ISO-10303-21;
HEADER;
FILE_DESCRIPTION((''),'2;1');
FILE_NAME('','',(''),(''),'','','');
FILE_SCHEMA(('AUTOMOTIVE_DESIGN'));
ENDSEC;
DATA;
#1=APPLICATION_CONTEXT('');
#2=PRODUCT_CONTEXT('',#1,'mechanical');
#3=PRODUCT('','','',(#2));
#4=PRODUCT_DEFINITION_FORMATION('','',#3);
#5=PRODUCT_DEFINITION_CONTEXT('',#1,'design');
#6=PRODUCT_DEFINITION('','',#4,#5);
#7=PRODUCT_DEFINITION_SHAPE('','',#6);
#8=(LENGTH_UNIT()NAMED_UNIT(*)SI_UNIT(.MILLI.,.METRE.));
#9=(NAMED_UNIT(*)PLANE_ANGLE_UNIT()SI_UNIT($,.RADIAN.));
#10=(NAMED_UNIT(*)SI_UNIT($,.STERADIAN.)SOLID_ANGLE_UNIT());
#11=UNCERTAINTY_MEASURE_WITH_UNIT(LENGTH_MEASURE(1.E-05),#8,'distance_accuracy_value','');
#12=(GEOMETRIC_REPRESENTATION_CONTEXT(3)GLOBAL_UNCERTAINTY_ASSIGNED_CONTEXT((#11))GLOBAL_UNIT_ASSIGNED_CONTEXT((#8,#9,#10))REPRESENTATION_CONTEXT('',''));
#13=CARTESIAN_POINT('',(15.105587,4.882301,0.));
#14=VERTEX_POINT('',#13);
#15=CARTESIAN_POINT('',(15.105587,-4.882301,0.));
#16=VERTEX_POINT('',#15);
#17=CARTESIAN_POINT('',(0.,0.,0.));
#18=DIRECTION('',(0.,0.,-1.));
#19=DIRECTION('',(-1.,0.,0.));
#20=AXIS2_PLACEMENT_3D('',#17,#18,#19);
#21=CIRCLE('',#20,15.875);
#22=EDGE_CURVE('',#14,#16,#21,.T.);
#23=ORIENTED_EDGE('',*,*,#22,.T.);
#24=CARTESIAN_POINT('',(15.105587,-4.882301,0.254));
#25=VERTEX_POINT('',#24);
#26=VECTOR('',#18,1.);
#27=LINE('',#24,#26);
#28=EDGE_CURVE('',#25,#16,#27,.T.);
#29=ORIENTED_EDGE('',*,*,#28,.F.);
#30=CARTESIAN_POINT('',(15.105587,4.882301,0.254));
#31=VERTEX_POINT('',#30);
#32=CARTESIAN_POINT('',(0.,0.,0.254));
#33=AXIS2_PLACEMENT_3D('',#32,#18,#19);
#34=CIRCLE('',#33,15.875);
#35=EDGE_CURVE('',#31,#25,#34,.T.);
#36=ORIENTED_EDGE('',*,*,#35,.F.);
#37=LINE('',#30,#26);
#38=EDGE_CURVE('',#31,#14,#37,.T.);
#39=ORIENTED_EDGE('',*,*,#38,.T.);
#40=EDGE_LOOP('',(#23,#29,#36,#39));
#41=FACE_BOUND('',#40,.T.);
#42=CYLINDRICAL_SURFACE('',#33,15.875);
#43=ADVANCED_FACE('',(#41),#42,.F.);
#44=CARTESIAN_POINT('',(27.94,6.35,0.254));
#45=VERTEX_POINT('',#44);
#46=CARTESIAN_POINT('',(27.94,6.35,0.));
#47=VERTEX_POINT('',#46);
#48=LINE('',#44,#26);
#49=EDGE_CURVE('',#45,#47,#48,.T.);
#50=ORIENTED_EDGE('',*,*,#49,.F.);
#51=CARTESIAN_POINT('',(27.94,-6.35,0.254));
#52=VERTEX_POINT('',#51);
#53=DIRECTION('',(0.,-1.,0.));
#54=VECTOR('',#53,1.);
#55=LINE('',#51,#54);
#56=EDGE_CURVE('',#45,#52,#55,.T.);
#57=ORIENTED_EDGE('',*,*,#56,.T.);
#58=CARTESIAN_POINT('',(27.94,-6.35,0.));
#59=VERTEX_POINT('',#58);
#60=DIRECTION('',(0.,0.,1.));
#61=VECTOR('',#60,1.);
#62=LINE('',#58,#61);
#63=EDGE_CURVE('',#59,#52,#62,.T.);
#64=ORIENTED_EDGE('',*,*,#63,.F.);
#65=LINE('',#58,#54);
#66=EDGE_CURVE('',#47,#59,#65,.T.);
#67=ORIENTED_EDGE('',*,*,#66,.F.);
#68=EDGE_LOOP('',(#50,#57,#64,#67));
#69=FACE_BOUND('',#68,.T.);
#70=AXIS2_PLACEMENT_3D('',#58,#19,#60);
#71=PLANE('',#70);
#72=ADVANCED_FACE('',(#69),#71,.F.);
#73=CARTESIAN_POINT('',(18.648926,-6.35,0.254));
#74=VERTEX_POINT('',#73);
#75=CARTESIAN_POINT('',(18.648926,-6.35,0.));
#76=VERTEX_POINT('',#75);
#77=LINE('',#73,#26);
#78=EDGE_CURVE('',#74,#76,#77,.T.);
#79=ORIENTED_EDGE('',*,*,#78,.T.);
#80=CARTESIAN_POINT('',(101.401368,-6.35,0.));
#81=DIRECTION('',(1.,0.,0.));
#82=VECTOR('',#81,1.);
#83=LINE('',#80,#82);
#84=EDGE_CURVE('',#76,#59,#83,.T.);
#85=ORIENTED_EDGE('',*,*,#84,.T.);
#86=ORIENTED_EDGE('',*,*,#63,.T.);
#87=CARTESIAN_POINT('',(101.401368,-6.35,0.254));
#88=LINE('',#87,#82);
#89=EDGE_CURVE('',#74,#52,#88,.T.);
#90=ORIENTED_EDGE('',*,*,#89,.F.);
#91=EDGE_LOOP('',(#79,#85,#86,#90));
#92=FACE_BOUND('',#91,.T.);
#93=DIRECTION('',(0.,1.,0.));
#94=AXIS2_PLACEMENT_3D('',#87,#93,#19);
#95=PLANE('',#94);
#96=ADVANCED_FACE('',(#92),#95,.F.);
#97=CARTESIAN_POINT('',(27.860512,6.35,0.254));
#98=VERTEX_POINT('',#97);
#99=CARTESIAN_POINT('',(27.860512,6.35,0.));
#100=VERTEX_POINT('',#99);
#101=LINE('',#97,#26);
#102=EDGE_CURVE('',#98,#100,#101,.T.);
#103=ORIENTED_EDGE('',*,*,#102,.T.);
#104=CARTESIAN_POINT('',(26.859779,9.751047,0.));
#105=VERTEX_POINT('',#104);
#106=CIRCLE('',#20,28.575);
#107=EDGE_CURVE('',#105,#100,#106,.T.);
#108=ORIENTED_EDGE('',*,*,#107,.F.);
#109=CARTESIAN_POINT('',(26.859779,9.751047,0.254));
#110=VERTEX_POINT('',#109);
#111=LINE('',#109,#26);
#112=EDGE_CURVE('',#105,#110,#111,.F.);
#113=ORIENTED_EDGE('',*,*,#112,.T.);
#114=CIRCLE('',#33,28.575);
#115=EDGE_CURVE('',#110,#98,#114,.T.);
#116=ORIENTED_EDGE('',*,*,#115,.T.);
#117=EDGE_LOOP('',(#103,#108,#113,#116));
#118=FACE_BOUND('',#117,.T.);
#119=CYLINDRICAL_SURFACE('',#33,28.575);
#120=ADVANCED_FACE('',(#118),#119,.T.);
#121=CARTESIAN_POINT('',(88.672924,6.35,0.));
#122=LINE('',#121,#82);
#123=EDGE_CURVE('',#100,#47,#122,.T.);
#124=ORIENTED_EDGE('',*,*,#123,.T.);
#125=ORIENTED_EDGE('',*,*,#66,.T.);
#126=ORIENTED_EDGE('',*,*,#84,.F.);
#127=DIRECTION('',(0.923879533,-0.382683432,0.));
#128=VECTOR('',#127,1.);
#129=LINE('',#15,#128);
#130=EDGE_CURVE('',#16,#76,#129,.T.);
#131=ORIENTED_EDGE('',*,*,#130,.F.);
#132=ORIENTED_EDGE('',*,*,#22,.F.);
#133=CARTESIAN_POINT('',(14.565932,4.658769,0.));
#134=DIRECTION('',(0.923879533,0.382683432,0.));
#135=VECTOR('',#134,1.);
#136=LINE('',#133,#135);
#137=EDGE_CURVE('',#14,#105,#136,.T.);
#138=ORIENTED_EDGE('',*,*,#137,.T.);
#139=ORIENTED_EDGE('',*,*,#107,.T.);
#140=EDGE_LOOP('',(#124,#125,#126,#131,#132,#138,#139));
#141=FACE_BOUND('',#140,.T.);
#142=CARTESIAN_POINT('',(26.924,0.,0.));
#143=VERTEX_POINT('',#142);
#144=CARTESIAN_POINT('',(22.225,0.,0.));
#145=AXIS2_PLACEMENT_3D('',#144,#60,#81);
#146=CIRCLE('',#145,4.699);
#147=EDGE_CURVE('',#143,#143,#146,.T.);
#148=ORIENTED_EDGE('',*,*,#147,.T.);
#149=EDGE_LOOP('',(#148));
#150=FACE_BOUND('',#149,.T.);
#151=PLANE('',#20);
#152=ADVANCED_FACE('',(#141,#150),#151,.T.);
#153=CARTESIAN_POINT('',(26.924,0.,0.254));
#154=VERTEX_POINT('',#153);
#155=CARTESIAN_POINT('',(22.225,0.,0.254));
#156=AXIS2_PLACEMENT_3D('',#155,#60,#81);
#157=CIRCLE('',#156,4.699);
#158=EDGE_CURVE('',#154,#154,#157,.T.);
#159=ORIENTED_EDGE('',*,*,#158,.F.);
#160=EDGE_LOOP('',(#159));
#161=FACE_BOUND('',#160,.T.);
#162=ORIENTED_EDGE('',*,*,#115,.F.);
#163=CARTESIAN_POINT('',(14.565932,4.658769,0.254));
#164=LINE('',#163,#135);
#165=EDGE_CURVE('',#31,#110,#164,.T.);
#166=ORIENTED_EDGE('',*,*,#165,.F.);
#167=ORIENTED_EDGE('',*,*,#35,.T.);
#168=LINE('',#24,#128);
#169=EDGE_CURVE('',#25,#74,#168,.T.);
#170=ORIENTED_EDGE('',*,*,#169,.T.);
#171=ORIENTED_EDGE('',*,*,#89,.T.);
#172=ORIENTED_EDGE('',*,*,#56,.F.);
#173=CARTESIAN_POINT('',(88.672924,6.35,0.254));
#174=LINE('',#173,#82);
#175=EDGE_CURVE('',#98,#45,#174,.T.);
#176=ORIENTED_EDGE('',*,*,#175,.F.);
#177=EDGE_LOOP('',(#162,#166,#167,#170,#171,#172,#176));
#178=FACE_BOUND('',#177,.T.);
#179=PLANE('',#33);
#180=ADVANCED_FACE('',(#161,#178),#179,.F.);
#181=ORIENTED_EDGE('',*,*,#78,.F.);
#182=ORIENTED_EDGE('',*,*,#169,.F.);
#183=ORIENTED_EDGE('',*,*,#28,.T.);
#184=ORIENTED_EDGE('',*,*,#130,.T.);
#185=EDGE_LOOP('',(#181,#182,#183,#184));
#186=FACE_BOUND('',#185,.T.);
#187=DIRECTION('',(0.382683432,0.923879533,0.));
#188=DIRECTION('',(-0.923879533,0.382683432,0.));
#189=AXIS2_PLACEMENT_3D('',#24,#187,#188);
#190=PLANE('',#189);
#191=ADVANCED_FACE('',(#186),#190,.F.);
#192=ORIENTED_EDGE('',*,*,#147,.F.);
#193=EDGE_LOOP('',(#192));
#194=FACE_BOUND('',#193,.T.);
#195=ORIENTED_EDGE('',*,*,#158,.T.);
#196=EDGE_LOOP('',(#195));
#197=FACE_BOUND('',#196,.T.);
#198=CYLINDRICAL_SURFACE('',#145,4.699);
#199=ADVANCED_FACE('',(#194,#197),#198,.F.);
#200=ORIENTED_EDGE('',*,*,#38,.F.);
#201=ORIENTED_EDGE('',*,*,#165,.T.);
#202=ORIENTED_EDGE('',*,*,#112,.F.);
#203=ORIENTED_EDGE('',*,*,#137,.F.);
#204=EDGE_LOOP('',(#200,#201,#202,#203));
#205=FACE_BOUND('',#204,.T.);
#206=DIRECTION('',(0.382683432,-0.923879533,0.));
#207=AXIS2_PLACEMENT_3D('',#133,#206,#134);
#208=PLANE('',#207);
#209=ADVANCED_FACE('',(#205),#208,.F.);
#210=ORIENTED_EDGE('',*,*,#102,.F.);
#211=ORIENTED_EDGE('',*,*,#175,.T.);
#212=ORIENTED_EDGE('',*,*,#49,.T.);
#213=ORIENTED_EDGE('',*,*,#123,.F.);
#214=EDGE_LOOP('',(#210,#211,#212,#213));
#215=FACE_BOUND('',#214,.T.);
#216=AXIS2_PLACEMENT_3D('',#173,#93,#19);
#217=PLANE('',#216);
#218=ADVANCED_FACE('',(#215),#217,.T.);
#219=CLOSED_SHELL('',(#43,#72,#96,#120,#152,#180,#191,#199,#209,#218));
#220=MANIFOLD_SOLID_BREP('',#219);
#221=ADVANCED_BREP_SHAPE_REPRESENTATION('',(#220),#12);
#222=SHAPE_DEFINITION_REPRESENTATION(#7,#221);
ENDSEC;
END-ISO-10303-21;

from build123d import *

# Parameters (mm, degrees)
BOSS_EXTRUDE1_DEPTH = 0.254
SKETCH2_R           = 4.699
CUT_EXTRUDE1_DEPTH  = 1.254
SKETCH3_W           = 2.54
SKETCH3_H           = 0.635
CUT_EXTRUDE2_DEPTH  = 1.254
SKETCH5_OUTSIDE_W   = 121.447
SKETCH5_OUTSIDE_H   = 109.618
CUT_EXTRUDE5_DEPTH  = 1.254


with BuildPart() as part:
    # Sketch1 → Boss-Extrude1 (new body)
    with BuildSketch(Plane.XY):
        with BuildLine():
            Line((67.21146711, 76.191723231), (8.696654013, 17.676910134))
            Line((8.696654013, 17.676910134), (7.228954972, 14.133571205))
            ThreePointArc((7.228954972, 14.133571205), (14.666587579, 6.075099489), (15.105587123, -4.88230096))
            Line((15.105587123, -4.88230096), (18.648926052, -6.35))
            Line((18.648926052, -6.35), (101.401368334, -6.35))
            ThreePointArc((101.401368334, -6.35), (93.866160503, 38.880636728), (67.21146711, 76.191723231))
        make_face()
        with BuildLine():
            Line((88.672924278, 6.35), (27.86051193, 6.35))
            ThreePointArc((27.86051193, 6.35), (26.399857642, 10.93517908), (24.190484974, 15.210228852))
            Line((24.190484974, 15.210228852), (67.191354125, 58.211098004))
            ThreePointArc((67.191354125, 58.211098004), (82.13289044, 34.020557137), (88.672924278, 6.35))
        make_face(mode=Mode.SUBTRACT)
    extrude(amount=BOSS_EXTRUDE1_DEPTH)

    # Sketch2 → Cut-Extrude1 (cut, through all)
    with BuildSketch(Plane.XY.offset(0.254)):
        with Locations((22.225, 0)):
            Circle(SKETCH2_R)
        with Locations((36.195, 0)):
            Circle(SKETCH2_R)
        with Locations((61.722, 0)):
            Circle(SKETCH2_R)
        with Locations((75.692, 0)):
            Circle(SKETCH2_R)
        with Locations((95.25, 0)):
            Circle(SKETCH2_R)
        with Locations((15.715448212, 15.715448212)):
            Circle(SKETCH2_R)
        with Locations((25.593729945, 25.593729945)):
            Circle(SKETCH2_R)
        with Locations((43.644044748, 43.644044748)):
            Circle(SKETCH2_R)
        with Locations((53.522326482, 53.522326482)):
            Circle(SKETCH2_R)
        with Locations((92.004434954, 24.652514046)):
            Circle(SKETCH2_R)
        with Locations((82.48891971, 47.625)):
            Circle(SKETCH2_R)
        with Locations((67.351920908, 67.351920908)):
            Circle(SKETCH2_R)
    extrude(amount=-CUT_EXTRUDE1_DEPTH, mode=Mode.SUBTRACT)

    # Sketch3 → Cut-Extrude2 (cut, through all)
    with BuildSketch(Plane.XY.offset(0.254)):
        Polygon((15.266435406, 24.246691527), (17.06248663, 26.042742751), (17.511499436, 25.593729945), (15.715448212, 23.797678721), align=None)
        Polygon((44.991083167, 53.971339288), (43.195031942, 52.175288063), (43.644044748, 51.726275257), (45.440095973, 53.522326482), align=None)
        with Locations((29.21, -6.0325)):
            Rectangle(SKETCH3_W, SKETCH3_H)
        with Locations((68.707, -6.0325)):
            Rectangle(SKETCH3_W, SKETCH3_H)
        Polygon((29.230733674, 38.210989795), (31.026784898, 40.007041019), (31.475797704, 39.558028213), (29.67974648, 37.761976989), align=None)
        Polygon((56.845021246, 65.825277367), (55.048970022, 64.029226143), (55.497982828, 63.580213337), (57.294034052, 65.376264561), align=None)
        with Locations((48.9585, -6.0325)):
            Rectangle(SKETCH3_W, SKETCH3_H)
        with Locations((85.471, -6.0325)):
            Rectangle(SKETCH3_W, SKETCH3_H)
        Polygon((99.935462164, 14.437711971), (100.266998693, 11.919442024), (101.526133667, 12.085210288), (101.194597138, 14.603480236), align=None)
        Polygon((93.765504959, 37.464305742), (94.938831965, 37.950313702), (93.966816047, 40.296967714), (92.793489041, 39.810959755), align=None)
        Polygon((79.327792988, 62.471156422), (80.874047017, 60.456038938), (81.88160576, 61.229165953), (80.33535173, 63.244283437), align=None)
        Polygon((13.593916116, 7.005422516), (14.565932035, 4.658768503), (15.739259041, 5.144776462), (14.767243123, 7.491430475), align=None)
    extrude(amount=-CUT_EXTRUDE2_DEPTH, mode=Mode.SUBTRACT)

    # Sketch5 outside → Cut-Extrude5 (cut, through all)
    with BuildSketch(Plane.XY.offset(0.254)):
        with Locations((54.4145, 34.921)):
            Rectangle(SKETCH5_OUTSIDE_W, SKETCH5_OUTSIDE_H)
        Polygon((11.513421912, 3.394377411), (27.94, 10.198488838), (27.94, -7.62), (11.513421912, -7.62), align=None, mode=Mode.SUBTRACT)
    extrude(amount=-CUT_EXTRUDE5_DEPTH, mode=Mode.SUBTRACT)


solid = part.part
